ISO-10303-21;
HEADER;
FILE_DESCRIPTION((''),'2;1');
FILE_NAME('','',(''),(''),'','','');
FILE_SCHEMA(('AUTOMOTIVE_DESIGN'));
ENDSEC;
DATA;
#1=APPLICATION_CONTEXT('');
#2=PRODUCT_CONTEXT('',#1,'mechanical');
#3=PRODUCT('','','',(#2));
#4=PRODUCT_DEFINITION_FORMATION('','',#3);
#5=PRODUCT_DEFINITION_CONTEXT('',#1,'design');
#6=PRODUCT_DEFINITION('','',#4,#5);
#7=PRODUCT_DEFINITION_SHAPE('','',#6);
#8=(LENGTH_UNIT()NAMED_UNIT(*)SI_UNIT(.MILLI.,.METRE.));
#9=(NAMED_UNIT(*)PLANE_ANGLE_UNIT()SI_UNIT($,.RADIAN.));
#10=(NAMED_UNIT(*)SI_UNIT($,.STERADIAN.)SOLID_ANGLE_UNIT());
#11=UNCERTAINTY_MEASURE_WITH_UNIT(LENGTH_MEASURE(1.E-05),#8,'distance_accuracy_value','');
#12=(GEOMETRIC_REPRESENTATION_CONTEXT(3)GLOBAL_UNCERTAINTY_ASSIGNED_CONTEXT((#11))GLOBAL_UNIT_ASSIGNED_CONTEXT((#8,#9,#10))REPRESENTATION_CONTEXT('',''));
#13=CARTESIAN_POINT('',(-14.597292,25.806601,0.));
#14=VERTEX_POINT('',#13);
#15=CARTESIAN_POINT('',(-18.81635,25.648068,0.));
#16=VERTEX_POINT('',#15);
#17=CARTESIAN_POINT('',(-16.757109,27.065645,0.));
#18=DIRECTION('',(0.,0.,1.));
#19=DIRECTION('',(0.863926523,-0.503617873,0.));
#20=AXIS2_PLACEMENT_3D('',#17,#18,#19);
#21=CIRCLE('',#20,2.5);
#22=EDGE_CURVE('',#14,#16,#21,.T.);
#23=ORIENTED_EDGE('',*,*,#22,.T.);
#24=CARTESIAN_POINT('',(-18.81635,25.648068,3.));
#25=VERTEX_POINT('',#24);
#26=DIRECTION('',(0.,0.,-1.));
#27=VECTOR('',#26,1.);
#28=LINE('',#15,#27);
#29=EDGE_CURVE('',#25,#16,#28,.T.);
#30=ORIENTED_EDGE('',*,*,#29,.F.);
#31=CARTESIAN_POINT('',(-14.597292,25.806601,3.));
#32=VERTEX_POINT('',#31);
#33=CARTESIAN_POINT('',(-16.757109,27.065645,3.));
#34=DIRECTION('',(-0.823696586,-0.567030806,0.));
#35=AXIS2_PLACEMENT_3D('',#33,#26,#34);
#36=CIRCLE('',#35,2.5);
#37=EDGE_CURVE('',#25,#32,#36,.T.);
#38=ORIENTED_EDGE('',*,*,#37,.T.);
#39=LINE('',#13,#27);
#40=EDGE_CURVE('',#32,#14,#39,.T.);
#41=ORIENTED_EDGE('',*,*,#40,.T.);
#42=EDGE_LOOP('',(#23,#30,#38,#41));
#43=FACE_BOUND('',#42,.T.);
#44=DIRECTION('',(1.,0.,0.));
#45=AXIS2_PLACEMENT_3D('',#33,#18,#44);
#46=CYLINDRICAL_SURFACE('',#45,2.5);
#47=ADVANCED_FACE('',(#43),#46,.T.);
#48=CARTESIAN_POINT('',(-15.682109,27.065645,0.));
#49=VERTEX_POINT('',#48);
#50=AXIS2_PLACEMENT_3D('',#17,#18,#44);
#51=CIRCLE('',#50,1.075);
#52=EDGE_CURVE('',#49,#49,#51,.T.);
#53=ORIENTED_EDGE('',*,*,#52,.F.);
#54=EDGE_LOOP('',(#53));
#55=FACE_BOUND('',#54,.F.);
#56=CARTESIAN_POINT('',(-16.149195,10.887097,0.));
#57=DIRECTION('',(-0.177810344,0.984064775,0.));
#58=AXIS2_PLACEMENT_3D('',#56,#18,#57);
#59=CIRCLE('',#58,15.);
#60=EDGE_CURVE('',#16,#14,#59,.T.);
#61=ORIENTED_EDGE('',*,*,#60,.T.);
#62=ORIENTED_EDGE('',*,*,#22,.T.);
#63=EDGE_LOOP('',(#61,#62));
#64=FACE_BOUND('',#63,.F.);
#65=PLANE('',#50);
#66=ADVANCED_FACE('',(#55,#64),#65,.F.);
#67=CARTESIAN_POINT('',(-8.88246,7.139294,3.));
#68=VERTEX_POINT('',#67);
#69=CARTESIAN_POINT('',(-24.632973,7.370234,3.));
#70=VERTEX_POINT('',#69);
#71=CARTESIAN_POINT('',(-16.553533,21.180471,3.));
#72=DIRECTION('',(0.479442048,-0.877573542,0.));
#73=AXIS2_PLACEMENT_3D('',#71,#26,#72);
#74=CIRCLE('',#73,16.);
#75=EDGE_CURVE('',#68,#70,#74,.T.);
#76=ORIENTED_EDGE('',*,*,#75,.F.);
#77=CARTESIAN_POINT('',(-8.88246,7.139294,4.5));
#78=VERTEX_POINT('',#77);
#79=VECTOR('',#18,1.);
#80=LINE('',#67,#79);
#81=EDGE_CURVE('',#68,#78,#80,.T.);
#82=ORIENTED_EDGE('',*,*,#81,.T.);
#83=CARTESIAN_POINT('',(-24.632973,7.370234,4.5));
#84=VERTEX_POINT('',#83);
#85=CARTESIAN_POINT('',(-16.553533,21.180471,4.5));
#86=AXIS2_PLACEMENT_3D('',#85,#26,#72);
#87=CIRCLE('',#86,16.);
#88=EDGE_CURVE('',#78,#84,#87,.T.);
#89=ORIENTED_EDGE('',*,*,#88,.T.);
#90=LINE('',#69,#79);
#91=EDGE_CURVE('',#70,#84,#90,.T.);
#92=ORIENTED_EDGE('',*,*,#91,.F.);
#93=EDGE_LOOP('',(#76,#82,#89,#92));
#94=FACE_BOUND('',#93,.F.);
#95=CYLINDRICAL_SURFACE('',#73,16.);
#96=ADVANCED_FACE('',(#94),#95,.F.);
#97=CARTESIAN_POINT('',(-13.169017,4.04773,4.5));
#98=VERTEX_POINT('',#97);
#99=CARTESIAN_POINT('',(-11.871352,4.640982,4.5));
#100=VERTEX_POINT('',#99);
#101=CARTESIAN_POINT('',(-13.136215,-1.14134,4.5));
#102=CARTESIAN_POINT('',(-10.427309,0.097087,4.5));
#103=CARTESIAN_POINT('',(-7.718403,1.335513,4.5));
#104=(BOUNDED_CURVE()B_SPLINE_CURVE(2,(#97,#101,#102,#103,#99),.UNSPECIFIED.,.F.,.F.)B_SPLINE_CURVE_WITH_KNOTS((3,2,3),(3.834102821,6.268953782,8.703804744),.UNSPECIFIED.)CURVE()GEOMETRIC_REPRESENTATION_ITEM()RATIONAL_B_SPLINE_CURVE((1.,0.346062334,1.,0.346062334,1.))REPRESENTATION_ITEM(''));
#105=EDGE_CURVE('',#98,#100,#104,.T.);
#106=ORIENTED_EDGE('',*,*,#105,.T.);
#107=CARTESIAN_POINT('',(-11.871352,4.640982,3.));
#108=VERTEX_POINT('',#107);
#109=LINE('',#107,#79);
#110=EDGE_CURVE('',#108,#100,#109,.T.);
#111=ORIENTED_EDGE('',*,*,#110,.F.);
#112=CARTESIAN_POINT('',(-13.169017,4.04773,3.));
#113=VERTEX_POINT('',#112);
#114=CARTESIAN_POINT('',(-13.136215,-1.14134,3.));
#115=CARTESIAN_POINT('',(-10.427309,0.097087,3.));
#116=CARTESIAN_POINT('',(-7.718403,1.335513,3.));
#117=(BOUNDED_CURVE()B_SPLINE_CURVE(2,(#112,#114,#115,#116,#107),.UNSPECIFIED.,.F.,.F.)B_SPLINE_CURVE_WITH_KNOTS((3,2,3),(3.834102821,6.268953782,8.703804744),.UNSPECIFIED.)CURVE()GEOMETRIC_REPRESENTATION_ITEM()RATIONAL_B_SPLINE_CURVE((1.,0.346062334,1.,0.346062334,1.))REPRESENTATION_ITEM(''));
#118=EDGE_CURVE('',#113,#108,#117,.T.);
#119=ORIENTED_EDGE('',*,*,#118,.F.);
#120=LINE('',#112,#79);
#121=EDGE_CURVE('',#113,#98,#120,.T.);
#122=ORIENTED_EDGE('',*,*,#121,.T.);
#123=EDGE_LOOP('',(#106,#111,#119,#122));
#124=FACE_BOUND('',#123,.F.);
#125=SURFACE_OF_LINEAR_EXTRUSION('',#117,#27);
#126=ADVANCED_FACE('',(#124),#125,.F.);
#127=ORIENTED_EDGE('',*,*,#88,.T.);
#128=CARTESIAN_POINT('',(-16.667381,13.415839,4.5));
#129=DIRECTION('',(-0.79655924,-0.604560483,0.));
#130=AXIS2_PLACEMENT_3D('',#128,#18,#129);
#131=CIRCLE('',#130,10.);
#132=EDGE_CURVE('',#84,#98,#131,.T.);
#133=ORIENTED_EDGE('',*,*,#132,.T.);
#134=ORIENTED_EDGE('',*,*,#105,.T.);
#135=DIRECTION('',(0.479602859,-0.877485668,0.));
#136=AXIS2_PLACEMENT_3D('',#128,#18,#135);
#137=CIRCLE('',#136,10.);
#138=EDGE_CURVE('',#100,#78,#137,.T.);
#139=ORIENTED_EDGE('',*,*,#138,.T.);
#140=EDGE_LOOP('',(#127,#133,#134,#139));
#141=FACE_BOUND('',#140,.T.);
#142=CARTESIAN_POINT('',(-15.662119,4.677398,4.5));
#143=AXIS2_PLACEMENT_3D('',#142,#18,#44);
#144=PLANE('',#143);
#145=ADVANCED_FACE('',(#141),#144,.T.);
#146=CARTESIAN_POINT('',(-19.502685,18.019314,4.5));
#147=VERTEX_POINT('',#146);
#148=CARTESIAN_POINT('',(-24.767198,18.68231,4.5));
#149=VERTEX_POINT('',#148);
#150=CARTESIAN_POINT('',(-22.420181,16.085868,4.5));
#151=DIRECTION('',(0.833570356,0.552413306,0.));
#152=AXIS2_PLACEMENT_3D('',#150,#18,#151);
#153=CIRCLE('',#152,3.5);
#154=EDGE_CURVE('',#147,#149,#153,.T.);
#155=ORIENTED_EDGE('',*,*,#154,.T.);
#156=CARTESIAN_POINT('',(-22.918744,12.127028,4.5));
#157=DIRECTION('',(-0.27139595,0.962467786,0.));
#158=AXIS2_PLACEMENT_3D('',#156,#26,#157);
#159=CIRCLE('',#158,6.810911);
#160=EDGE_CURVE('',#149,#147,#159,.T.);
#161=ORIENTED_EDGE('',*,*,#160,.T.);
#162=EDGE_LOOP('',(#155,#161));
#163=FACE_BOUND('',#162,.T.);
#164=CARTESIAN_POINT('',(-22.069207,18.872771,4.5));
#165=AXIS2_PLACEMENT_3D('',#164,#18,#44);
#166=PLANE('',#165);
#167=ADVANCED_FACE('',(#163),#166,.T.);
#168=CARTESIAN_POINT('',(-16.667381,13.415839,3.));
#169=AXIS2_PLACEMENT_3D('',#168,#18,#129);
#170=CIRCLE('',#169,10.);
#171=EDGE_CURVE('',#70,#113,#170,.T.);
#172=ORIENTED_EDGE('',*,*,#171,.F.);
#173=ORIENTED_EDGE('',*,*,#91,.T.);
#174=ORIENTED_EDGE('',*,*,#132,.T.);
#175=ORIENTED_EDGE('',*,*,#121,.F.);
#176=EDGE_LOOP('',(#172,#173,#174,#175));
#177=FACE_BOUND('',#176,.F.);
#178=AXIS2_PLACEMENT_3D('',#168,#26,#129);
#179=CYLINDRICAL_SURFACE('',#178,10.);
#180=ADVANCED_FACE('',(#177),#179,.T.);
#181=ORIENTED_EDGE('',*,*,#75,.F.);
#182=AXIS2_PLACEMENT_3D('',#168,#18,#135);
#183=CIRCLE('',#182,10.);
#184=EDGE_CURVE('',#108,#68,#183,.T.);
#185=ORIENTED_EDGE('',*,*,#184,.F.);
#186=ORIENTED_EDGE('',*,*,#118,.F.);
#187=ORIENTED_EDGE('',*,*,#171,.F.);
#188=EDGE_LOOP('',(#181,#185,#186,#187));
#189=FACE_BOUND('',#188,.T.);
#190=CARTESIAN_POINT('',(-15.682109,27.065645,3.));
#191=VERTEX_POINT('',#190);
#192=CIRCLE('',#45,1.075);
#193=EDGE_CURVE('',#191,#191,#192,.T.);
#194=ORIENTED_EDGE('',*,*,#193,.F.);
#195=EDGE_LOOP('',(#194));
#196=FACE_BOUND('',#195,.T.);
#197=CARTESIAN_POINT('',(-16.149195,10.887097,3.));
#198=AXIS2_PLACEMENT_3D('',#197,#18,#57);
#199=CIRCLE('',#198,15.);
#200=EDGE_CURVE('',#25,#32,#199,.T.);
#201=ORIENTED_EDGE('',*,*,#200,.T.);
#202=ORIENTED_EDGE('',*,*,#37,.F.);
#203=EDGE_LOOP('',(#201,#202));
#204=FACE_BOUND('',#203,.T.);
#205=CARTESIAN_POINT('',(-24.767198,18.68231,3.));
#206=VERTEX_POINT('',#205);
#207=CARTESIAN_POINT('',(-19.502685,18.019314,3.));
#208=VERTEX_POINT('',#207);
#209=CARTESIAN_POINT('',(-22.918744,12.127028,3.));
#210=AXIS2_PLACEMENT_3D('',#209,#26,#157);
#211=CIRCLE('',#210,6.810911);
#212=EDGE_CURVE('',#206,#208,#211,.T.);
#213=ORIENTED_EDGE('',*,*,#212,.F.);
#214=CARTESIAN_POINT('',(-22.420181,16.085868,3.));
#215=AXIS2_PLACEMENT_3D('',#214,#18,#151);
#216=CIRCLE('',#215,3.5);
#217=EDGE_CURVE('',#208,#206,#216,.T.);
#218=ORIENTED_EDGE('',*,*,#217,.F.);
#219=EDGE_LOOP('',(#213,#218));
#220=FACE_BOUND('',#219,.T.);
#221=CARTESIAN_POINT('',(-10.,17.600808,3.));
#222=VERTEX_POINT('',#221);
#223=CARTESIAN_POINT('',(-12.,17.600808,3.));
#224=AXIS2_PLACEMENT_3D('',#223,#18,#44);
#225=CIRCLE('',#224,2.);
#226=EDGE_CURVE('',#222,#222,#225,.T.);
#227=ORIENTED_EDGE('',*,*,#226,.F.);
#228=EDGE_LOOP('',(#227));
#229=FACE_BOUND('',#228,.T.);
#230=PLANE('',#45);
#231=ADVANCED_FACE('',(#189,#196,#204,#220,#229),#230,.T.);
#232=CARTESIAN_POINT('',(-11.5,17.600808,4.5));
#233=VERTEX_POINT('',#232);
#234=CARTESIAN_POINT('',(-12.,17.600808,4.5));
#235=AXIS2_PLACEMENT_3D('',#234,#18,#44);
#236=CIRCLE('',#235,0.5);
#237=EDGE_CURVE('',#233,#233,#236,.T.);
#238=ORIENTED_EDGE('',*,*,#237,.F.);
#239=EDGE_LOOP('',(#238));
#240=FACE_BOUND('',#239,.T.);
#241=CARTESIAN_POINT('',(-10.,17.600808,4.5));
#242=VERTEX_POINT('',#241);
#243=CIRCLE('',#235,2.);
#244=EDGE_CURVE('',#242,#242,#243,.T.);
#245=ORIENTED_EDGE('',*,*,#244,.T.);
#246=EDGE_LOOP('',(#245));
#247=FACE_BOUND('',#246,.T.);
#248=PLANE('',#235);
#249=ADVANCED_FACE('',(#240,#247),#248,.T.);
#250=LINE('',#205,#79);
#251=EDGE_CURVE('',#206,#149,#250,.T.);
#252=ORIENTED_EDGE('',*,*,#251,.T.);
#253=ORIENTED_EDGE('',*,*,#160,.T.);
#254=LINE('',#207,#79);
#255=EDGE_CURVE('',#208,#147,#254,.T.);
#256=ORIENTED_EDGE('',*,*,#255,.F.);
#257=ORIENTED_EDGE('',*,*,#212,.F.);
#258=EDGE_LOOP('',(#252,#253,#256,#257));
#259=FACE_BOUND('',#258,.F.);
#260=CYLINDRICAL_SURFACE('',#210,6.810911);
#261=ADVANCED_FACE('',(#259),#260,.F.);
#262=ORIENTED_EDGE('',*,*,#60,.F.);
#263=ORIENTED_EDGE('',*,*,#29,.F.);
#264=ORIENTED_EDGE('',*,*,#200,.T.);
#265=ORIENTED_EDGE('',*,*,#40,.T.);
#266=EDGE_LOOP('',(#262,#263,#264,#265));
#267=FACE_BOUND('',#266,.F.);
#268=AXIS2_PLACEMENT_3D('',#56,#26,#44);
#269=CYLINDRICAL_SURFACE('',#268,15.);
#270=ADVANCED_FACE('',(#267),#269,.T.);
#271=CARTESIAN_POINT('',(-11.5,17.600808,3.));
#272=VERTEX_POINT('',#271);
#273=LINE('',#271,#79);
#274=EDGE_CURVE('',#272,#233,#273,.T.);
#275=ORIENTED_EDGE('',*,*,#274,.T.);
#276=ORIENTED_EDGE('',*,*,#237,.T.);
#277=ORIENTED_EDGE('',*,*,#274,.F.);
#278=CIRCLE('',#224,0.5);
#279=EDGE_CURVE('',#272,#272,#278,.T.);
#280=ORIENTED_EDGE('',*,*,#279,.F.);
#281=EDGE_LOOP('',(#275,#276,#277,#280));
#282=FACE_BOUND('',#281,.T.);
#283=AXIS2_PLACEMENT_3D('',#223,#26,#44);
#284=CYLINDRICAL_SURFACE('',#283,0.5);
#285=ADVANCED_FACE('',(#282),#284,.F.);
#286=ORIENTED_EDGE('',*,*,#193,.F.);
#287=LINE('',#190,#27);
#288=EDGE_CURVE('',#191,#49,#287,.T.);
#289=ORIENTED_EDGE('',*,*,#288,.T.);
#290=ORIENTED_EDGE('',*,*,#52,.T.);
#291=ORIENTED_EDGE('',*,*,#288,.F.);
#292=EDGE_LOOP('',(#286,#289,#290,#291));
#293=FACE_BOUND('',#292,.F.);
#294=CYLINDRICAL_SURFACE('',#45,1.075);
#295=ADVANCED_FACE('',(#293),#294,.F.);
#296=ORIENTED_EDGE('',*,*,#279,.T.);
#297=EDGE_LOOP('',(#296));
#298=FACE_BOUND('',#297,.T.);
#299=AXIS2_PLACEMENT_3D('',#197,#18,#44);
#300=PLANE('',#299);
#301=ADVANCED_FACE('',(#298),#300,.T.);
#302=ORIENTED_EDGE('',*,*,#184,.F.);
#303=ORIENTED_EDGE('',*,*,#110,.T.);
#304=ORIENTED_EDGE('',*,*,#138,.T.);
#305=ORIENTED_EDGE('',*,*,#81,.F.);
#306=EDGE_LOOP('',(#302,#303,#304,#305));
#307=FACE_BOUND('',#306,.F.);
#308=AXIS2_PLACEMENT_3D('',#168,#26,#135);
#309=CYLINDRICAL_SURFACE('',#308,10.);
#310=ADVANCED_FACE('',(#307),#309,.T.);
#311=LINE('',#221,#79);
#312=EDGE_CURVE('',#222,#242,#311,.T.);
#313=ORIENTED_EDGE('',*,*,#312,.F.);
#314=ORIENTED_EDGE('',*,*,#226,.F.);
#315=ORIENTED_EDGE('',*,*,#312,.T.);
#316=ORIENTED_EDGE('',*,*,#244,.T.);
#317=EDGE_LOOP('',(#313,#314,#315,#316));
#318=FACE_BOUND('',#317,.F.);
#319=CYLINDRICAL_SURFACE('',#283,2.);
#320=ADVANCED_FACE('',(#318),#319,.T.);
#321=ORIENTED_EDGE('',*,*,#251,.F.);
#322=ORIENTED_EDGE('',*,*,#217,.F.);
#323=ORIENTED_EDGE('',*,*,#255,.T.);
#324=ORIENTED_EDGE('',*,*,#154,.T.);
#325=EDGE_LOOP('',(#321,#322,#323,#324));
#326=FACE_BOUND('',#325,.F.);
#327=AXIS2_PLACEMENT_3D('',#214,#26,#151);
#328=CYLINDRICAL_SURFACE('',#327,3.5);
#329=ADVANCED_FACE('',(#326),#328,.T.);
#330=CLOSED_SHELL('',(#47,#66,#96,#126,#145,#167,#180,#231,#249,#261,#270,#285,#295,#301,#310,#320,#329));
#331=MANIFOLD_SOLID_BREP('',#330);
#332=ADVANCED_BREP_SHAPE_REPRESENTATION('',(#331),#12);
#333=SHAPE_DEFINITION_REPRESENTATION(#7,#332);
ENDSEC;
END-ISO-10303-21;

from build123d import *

# Parameters (mm, degrees)
F0_R     = 15
F1_DEPTH = 3
F2_R     = 2
F2_R_2   = 0.5
F3_DEPTH = 1.5
F4_R     = 2.5
F4_R_2   = 1.075
F5_DEPTH = 3


with BuildPart() as f1:
    # F0 (on Top) → F1 (new body)
    with BuildSketch(Plane.XY):
        with Locations((-16.1491949111, 10.887096636)):
            Circle(F0_R)
    extrude(amount=F1_DEPTH)

    # F2 (on face) → F3 (join)
    with BuildSketch(Plane.XY.offset(3)):
        with Locations((-12, 17.6008082926)):
            Circle(F2_R)
        with Locations((-12, 17.6008082926)):
            Circle(F2_R_2, mode=Mode.SUBTRACT)
        with BuildLine():
            ThreePointArc((-8.8824603224, 7.1392940688), (-16.7881056428, 5.1821903468), (-24.6329733241, 7.3702337589))
            ThreePointArc((-24.6329733241, 7.3702337589), (-19.4510459053, 3.8110892822), (-13.1690173954, 4.0477303202))
            add(Edge.make_bspline(
                [(-13.1690173954, 4.0477303202), (-13.1362154253, -1.1413398729), (-10.427309312, 0.097086679), (-7.7184031986, 1.335513231), (-11.8713523396, 4.6409819109)],
                knots=[3.8341028208, 3.8341028208, 3.8341028208, 6.2689537824, 6.2689537824, 8.7038047441, 8.7038047441, 8.7038047441], degree=2, weights=[1, 0.3460623341, 1, 0.3460623341, 1]))
            ThreePointArc((-11.8713523396, 4.6409819109), (-10.254077445, 5.743189869), (-8.8824603224, 7.1392940688))
        make_face()
        with BuildLine():
            ThreePointArc((-24.7671979005, 18.6823099732), (-22.0677226207, 18.8845619079), (-19.5026847059, 18.0193144708))
            ThreePointArc((-19.5026847059, 18.0193144708), (-21.9828567976, 19.558438644), (-24.7671979005, 18.6823099732))
        make_face()
    extrude(amount=F3_DEPTH)

    # F4 (on face) → F5 (join)
    with BuildSketch(Plane.XY.offset(3)):
        with Locations((-16.757108611, 27.0656452758)):
            Circle(F4_R)
        with Locations((-16.757108611, 27.0656452758)):
            Circle(F4_R_2, mode=Mode.SUBTRACT)
    extrude(amount=-F5_DEPTH)


solid = f1.part
